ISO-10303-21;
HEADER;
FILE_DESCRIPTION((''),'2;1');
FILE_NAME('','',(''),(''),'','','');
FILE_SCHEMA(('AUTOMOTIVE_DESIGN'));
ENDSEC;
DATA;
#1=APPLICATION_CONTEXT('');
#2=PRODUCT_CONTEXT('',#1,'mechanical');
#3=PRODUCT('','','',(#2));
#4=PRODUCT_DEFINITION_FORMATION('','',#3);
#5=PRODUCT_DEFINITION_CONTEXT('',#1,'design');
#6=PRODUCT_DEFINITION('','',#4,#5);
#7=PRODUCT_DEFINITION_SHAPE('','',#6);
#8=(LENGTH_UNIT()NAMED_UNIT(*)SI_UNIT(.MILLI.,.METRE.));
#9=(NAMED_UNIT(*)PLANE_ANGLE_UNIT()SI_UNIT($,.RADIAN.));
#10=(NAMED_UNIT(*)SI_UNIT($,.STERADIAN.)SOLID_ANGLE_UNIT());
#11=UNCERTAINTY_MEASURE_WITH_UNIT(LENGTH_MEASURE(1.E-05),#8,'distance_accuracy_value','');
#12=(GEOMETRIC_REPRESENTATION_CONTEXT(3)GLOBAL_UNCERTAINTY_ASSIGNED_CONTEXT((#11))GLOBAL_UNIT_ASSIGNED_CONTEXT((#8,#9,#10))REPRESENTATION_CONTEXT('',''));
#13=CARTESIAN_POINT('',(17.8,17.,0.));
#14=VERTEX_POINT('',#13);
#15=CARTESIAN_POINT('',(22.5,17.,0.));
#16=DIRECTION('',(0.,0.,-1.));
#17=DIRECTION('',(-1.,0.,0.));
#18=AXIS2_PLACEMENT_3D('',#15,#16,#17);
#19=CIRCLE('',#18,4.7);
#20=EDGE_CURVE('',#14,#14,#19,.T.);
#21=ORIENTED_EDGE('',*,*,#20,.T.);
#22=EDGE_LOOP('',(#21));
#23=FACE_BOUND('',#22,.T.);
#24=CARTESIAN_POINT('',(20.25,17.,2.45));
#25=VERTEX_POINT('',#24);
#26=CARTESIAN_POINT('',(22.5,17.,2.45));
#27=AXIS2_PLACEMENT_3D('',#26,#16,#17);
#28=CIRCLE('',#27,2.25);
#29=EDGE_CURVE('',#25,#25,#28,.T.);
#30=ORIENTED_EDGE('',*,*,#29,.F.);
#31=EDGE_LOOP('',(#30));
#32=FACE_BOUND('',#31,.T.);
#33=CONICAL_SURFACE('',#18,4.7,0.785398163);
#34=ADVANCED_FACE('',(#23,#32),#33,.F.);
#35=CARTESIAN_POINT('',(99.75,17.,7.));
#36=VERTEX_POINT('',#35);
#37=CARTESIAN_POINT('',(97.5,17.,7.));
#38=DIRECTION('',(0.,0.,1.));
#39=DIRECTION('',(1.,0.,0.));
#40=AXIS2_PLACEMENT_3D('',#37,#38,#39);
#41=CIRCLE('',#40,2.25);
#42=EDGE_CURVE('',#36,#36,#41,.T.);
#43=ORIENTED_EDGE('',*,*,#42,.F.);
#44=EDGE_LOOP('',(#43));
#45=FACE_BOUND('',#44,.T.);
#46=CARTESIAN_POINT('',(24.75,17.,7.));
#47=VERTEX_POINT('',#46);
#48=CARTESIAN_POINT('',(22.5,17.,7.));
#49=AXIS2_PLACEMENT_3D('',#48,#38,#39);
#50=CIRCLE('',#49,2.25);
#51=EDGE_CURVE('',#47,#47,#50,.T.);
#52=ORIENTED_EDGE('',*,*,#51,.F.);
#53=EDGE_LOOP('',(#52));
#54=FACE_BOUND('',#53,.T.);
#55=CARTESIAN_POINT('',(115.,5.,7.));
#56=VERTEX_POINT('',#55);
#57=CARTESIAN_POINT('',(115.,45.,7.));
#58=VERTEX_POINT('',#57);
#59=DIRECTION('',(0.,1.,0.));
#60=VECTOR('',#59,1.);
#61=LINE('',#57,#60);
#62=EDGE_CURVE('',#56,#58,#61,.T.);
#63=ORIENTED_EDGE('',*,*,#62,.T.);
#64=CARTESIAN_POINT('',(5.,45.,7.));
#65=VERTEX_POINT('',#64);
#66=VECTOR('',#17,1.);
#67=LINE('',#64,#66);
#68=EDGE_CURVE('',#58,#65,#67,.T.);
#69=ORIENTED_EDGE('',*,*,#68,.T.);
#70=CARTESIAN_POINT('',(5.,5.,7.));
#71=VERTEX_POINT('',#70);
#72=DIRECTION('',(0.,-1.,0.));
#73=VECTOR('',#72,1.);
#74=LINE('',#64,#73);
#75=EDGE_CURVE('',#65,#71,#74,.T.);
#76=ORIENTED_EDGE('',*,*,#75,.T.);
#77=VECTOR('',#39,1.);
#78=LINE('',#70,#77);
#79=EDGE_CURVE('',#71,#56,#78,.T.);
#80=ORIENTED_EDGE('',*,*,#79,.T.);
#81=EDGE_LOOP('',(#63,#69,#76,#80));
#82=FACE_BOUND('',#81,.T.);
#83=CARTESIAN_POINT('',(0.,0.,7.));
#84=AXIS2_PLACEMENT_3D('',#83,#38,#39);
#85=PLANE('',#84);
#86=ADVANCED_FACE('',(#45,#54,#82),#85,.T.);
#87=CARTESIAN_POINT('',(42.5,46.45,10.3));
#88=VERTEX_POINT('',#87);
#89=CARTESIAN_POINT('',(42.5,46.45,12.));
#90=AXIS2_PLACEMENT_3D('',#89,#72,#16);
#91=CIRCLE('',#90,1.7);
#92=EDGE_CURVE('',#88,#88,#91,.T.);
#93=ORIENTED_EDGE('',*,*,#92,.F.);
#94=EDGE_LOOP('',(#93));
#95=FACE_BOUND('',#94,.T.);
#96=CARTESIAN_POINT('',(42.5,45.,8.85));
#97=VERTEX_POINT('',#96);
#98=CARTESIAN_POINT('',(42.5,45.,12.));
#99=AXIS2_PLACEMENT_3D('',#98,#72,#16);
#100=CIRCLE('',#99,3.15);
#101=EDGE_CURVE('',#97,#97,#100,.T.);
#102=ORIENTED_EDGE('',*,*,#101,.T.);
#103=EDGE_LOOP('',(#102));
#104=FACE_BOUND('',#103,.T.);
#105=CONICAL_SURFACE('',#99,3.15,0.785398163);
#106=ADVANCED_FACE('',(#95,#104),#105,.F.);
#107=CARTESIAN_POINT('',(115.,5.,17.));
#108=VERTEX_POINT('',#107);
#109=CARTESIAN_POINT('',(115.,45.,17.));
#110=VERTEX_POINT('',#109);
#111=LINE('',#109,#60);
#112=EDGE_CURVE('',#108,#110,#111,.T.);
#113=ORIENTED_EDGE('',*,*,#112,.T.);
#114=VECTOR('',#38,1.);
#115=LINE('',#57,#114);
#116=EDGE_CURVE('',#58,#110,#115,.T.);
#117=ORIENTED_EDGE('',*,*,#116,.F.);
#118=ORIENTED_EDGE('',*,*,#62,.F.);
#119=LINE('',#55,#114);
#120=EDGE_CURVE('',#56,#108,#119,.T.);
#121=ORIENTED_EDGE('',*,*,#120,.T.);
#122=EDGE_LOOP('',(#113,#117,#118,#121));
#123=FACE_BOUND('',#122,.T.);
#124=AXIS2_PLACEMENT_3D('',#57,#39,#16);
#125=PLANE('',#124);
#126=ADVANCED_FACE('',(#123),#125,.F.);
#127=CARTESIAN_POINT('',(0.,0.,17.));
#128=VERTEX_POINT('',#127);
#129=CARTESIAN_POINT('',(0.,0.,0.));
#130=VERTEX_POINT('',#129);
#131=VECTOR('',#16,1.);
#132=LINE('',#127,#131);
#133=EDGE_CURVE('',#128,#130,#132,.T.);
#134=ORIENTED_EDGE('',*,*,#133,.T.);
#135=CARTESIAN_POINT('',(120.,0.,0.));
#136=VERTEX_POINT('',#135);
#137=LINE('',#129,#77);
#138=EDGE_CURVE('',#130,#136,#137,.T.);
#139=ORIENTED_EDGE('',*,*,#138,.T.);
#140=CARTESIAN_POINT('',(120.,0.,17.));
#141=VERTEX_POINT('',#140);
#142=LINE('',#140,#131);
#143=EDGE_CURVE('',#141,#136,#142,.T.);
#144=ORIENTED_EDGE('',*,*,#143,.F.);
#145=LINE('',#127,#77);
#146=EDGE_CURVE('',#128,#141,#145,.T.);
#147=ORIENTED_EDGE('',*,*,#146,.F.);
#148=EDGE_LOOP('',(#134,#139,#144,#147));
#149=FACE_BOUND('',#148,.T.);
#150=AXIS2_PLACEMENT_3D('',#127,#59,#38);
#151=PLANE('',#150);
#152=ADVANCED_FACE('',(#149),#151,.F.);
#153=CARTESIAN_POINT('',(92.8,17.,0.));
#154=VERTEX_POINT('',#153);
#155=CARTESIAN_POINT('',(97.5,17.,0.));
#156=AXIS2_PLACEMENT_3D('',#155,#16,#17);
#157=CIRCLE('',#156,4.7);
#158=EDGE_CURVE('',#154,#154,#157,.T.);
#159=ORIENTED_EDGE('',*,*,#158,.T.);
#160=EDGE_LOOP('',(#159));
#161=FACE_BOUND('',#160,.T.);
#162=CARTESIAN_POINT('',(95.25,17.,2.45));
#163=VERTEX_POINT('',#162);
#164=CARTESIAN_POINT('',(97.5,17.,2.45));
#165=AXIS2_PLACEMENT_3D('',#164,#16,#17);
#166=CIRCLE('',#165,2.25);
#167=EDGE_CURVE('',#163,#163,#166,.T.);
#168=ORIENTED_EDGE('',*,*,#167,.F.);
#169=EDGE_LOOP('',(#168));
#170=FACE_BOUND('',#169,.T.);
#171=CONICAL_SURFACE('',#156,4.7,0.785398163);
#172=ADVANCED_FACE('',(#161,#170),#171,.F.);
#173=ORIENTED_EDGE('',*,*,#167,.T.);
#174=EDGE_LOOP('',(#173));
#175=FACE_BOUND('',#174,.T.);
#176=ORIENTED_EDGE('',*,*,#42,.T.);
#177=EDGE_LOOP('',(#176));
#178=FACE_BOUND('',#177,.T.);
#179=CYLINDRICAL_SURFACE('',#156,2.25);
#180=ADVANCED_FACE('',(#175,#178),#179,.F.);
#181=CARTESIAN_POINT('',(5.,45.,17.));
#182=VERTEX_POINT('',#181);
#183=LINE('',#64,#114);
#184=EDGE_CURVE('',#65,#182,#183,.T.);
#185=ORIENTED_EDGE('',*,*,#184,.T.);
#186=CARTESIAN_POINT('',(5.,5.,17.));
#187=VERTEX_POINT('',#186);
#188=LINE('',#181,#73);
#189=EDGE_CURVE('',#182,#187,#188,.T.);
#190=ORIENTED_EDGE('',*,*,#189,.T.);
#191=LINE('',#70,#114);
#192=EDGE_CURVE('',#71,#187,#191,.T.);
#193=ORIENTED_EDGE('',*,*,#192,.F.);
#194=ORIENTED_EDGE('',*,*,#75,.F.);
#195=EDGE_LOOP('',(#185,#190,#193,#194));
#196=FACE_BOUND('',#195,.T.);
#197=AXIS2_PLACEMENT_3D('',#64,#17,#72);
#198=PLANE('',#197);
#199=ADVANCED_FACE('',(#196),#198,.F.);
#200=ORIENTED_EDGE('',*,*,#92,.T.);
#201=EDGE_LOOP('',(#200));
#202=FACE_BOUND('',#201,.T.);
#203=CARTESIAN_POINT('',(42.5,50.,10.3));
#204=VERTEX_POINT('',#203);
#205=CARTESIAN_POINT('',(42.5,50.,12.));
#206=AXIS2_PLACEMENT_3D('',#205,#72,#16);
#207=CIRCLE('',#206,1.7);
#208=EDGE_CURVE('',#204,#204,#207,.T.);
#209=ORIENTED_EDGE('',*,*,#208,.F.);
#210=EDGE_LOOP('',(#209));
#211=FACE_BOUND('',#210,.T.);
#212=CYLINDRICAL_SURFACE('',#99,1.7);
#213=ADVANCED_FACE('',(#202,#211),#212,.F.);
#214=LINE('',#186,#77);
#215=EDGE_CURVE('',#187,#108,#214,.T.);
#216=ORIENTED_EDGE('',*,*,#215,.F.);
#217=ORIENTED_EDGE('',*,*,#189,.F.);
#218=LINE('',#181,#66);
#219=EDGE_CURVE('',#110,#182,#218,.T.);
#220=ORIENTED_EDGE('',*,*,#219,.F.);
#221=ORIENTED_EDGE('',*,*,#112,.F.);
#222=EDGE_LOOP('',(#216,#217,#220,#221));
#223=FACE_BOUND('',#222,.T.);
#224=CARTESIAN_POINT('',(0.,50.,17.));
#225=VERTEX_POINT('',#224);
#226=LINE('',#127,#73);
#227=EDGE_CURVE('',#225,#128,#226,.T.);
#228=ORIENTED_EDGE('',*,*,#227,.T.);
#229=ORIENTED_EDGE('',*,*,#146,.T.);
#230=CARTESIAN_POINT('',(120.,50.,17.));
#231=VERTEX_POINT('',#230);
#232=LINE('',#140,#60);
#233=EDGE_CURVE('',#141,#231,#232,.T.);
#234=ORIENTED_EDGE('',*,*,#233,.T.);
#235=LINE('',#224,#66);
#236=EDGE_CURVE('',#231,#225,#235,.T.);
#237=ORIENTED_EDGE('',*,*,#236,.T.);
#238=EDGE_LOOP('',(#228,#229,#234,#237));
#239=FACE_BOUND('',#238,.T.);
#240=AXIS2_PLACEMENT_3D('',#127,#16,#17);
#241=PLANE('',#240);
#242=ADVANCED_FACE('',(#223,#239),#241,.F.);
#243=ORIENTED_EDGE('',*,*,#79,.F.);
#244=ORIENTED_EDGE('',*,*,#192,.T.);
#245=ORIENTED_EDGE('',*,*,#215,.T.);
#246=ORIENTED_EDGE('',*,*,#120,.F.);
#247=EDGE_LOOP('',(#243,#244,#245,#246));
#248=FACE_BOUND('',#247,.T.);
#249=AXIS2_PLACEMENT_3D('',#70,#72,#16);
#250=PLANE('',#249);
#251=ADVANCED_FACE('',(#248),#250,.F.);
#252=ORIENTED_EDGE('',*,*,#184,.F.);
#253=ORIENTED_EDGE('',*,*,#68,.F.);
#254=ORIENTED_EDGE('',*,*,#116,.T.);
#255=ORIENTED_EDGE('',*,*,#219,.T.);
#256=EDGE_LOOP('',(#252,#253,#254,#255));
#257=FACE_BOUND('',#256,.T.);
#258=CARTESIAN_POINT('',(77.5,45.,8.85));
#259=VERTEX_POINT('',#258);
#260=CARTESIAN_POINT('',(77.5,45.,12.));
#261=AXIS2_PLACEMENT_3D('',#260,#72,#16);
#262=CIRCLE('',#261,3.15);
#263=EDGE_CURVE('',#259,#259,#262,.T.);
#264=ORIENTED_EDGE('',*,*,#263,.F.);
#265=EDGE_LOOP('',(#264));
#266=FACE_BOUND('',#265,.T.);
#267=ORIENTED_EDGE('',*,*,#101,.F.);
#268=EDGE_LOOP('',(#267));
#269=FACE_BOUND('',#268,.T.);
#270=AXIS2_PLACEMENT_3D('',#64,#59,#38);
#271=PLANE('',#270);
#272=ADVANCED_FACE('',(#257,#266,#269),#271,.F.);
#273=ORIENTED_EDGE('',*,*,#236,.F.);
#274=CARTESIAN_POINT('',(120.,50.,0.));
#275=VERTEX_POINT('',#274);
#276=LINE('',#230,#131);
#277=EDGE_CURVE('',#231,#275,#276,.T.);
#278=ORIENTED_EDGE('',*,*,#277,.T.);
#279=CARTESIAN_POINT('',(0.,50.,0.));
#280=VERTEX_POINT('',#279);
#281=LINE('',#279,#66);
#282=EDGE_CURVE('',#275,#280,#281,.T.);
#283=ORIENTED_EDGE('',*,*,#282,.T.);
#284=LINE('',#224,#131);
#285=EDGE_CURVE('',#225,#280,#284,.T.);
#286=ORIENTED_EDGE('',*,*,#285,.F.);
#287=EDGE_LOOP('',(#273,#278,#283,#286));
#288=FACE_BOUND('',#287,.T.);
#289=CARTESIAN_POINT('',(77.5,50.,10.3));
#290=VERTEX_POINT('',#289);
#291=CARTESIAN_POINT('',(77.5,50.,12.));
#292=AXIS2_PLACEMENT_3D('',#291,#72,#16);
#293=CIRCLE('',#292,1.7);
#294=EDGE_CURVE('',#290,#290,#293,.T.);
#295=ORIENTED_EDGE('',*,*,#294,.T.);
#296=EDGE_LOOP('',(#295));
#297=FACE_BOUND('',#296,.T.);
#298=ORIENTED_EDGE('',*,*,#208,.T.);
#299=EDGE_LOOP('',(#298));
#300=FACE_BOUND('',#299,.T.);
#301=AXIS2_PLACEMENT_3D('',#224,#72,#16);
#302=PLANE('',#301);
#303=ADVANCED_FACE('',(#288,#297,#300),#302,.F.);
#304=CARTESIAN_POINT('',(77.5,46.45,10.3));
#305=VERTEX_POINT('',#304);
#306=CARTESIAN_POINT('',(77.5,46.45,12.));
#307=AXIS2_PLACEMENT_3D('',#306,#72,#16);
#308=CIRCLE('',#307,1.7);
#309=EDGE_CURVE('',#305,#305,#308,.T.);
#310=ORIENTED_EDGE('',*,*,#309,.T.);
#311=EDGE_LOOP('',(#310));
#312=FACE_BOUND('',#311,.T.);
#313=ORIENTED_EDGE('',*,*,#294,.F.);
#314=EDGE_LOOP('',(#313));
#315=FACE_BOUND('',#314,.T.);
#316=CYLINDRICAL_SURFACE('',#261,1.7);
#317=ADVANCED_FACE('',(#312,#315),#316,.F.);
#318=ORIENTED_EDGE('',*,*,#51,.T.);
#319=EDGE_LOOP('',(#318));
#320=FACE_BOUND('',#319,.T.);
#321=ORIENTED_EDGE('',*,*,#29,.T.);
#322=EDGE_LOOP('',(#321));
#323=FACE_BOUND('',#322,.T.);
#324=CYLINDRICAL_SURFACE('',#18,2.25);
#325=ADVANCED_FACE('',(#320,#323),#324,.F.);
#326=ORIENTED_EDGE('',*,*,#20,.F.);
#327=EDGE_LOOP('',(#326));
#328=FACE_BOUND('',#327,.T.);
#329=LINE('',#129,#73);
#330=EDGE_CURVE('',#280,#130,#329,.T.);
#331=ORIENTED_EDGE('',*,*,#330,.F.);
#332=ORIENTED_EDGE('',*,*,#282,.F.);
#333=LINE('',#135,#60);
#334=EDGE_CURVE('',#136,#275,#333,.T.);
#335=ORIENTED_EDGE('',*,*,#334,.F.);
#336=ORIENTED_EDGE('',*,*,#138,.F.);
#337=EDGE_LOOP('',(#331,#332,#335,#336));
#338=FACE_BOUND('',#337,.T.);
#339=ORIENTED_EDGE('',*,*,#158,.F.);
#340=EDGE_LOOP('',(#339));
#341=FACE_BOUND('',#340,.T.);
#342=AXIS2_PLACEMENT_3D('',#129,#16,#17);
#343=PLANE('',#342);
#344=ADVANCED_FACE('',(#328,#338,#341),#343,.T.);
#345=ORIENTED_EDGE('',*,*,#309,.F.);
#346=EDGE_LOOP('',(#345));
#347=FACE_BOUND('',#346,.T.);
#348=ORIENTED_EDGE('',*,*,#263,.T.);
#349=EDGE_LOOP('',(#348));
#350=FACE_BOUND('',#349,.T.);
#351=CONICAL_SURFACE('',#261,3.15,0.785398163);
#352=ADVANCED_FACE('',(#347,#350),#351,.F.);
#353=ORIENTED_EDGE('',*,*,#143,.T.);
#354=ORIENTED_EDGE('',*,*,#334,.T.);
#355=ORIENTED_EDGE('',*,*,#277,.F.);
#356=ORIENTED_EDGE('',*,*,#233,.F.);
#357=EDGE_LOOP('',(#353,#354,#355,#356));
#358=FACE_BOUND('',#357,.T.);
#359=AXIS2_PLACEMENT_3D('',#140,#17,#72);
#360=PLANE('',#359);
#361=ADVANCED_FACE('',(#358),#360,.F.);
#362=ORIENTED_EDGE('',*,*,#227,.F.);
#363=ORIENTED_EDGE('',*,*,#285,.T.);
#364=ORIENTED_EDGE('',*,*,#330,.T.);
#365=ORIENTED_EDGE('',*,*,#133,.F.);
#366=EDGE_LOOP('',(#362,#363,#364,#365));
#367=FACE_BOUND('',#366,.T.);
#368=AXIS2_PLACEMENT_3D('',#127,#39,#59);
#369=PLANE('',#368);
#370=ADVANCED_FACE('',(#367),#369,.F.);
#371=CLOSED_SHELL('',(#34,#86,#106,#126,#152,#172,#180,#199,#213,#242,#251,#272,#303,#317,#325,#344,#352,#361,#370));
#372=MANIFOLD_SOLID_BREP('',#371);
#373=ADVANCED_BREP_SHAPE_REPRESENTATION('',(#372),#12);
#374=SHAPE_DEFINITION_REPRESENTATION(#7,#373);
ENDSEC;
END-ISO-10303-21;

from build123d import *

# Parameters (mm, degrees)
SKETCH2_W                                       = 120
SKETCH2_H                                       = 50
BOSS_EXTRUDE3_DEPTH                             = 17
SKETCH4_W                                       = 110
SKETCH4_H                                       = 40
CUT_EXTRUDE1_DEPTH                              = 10
CSK_FOR_M3_FLAT_HEAD_MACHINE_SCREW1_D           = 3.4
CSK_FOR_M3_FLAT_HEAD_MACHINE_SCREW1_DEPTH       = 5
CSK_FOR_M3_FLAT_HEAD_MACHINE_SCREW1_CSINK_D     = 6.3
CSK_FOR_M3_FLAT_HEAD_MACHINE_SCREW1_CSINK_ANGLE = 90
CSK_FOR_M4_FLAT_HEAD_MACHINE_SCREW3_D           = 4.5
CSK_FOR_M4_FLAT_HEAD_MACHINE_SCREW3_CSINK_D     = 9.4
CSK_FOR_M4_FLAT_HEAD_MACHINE_SCREW3_CSINK_ANGLE = 90


with BuildPart() as part:
    # Sketch2 → Boss-Extrude3 (new body)
    with BuildSketch(Plane.XY):
        with Locations((60, 25)):
            Rectangle(SKETCH2_W, SKETCH2_H)
    extrude(amount=BOSS_EXTRUDE3_DEPTH)

    # Sketch4 → Cut-Extrude1 (cut)
    with BuildSketch(Plane.XY.offset(17)):
        with Locations((60, 25)):
            Rectangle(SKETCH4_W, SKETCH4_H)
    extrude(amount=-CUT_EXTRUDE1_DEPTH, mode=Mode.SUBTRACT)

    # CSK for M3 Flat Head Machine Screw1
    with Locations(Plane(origin=(0, 45, 0), x_dir=(-1, 0, 0), z_dir=(0, -1, 0))):
        with Locations((-42.5, -12), (-77.5, -12)):
            CounterSinkHole(CSK_FOR_M3_FLAT_HEAD_MACHINE_SCREW1_D / 2, CSK_FOR_M3_FLAT_HEAD_MACHINE_SCREW1_CSINK_D / 2, depth=CSK_FOR_M3_FLAT_HEAD_MACHINE_SCREW1_DEPTH, counter_sink_angle=CSK_FOR_M3_FLAT_HEAD_MACHINE_SCREW1_CSINK_ANGLE)

    # CSK for M4 Flat Head Machine Screw3 (through all)
    with Locations(Plane(origin=(0, 0, 0), x_dir=(-1, 0, 0), z_dir=(0, 0, -1))):
        with Locations((-97.5, 17), (-22.5, 17)):
            CounterSinkHole(CSK_FOR_M4_FLAT_HEAD_MACHINE_SCREW3_D / 2, CSK_FOR_M4_FLAT_HEAD_MACHINE_SCREW3_CSINK_D / 2, counter_sink_angle=CSK_FOR_M4_FLAT_HEAD_MACHINE_SCREW3_CSINK_ANGLE)


solid = part.part
